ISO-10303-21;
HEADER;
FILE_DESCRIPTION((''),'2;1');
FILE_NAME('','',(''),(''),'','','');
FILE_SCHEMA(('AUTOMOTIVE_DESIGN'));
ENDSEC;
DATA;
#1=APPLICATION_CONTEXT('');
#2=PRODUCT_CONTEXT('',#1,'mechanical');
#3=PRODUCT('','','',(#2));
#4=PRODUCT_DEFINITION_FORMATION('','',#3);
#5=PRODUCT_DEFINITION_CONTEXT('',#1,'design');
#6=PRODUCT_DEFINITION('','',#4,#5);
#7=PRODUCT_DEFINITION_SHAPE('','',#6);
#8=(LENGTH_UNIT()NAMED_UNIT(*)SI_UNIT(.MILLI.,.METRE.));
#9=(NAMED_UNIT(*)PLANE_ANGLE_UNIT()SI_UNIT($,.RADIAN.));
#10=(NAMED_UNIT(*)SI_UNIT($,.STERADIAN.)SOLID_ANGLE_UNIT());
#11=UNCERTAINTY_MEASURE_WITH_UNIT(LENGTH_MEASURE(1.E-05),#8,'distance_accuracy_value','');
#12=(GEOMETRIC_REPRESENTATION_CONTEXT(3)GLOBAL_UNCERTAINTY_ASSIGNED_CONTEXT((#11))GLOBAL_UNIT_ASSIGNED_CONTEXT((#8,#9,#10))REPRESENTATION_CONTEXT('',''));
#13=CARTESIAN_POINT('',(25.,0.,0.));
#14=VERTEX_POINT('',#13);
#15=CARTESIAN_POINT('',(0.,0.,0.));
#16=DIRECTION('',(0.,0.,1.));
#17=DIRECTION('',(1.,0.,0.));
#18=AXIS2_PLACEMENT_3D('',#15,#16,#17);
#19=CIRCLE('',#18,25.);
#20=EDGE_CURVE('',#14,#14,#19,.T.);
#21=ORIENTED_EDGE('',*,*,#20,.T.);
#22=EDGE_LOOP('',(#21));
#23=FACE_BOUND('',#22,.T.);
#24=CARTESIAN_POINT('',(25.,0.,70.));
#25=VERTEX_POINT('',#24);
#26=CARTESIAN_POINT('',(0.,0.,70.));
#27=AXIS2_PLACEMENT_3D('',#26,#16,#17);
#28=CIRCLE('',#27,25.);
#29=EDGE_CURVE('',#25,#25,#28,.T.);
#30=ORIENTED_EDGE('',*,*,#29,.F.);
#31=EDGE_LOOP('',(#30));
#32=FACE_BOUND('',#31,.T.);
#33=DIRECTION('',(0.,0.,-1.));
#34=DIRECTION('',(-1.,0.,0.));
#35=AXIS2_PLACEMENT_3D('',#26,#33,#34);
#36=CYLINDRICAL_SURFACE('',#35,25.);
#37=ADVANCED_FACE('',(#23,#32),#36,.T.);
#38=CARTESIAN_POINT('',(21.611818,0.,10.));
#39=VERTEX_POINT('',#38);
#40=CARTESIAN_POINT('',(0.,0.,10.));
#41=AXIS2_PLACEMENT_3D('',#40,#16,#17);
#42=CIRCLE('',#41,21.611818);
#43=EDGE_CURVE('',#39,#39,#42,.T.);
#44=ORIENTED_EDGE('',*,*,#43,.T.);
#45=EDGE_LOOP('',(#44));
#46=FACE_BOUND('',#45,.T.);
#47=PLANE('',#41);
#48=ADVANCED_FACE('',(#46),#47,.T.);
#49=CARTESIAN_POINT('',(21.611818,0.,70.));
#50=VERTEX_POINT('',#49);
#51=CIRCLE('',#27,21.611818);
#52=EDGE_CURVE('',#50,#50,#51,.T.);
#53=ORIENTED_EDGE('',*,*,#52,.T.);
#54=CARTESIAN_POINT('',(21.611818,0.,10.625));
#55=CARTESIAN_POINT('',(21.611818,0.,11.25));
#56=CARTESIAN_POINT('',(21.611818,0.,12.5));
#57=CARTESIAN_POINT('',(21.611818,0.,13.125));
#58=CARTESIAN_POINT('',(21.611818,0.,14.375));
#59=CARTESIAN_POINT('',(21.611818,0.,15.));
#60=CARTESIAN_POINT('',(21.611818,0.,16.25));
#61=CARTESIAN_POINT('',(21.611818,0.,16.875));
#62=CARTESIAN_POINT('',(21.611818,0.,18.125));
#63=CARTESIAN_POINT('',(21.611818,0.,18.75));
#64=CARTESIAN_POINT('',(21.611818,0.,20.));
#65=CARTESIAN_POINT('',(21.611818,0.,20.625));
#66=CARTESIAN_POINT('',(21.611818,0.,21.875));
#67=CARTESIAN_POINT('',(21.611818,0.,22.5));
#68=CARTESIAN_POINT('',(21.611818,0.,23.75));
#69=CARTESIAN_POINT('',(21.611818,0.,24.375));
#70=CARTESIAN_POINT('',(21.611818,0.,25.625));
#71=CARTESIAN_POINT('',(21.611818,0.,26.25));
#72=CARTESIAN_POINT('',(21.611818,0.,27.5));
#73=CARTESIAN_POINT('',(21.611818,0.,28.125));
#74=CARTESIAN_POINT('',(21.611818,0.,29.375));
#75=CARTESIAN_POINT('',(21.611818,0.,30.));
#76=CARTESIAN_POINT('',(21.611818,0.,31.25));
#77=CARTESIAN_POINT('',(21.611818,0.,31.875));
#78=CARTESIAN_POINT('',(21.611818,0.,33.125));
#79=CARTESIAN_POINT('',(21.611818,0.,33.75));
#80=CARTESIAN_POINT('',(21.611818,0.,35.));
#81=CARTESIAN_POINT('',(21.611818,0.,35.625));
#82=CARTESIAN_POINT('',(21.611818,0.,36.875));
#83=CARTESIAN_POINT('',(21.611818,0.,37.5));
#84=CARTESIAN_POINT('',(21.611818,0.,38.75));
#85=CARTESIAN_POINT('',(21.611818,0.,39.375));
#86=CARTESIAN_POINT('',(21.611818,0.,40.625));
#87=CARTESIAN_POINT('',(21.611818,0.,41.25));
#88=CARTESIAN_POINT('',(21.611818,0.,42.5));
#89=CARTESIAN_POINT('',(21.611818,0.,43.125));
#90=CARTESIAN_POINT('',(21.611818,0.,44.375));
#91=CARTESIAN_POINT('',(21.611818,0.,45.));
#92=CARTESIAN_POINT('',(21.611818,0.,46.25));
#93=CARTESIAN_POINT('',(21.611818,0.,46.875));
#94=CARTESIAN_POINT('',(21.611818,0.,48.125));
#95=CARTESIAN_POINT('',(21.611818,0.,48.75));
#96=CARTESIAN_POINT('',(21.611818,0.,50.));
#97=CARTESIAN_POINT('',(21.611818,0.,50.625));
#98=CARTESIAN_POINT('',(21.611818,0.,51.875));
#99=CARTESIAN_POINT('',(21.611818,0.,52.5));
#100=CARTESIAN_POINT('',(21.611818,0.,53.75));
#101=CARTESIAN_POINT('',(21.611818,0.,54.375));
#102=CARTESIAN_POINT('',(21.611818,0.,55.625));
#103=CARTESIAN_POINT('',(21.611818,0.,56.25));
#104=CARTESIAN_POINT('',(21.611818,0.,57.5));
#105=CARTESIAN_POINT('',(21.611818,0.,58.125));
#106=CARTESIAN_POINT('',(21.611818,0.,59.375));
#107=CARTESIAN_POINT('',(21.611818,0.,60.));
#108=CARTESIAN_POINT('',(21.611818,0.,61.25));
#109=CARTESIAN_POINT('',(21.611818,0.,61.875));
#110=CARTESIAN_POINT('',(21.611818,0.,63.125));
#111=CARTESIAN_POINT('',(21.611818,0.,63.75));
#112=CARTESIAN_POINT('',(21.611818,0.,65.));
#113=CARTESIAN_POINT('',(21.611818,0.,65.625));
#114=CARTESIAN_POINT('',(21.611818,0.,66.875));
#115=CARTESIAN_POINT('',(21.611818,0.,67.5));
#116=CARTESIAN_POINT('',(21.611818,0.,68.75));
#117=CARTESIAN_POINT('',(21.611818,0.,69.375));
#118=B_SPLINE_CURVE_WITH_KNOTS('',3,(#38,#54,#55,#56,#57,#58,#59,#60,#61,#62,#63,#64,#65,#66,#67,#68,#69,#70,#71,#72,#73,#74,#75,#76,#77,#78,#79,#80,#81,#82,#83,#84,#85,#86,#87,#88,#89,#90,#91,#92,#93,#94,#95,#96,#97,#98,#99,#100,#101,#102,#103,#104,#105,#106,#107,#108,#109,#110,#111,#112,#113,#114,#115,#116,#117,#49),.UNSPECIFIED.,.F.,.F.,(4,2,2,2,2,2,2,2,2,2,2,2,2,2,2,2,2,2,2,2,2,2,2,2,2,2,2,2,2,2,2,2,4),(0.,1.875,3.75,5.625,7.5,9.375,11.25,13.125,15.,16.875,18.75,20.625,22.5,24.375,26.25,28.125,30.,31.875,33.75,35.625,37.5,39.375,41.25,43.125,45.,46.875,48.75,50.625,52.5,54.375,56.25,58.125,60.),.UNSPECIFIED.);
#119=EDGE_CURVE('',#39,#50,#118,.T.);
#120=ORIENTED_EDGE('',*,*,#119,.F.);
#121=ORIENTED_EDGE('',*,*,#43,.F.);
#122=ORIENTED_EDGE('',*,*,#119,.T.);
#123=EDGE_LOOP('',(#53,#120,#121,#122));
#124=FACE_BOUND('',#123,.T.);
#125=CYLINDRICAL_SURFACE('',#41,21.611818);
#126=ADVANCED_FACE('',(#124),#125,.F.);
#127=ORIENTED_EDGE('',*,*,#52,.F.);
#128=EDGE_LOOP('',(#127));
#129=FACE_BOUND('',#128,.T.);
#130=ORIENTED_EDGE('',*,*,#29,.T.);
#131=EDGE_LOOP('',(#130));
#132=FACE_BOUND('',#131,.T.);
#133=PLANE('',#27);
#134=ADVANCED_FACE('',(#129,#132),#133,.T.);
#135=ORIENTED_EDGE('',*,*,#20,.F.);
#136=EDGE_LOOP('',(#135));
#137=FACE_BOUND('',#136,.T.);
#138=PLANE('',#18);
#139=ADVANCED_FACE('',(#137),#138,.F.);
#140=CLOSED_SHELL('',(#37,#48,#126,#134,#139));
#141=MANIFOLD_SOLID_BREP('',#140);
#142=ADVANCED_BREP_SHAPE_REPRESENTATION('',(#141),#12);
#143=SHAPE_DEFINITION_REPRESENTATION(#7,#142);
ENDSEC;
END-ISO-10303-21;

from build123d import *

# Parameters (mm, degrees)
SKETCH1_R           = 25
BOSS_EXTRUDE1_DEPTH = 70
SKETCH2_R           = 21.611817806
CUT_EXTRUDE1_DEPTH  = 60


with BuildPart() as part:
    # Sketch1 → Boss-Extrude1 (new body)
    with BuildSketch(Plane.XY):
        Circle(SKETCH1_R)
    extrude(amount=BOSS_EXTRUDE1_DEPTH)

    # Sketch2 → Cut-Extrude1 (cut)
    with BuildSketch(Plane.XY.offset(70)):
        Circle(SKETCH2_R)
    extrude(amount=-CUT_EXTRUDE1_DEPTH, mode=Mode.SUBTRACT)


solid = part.part
